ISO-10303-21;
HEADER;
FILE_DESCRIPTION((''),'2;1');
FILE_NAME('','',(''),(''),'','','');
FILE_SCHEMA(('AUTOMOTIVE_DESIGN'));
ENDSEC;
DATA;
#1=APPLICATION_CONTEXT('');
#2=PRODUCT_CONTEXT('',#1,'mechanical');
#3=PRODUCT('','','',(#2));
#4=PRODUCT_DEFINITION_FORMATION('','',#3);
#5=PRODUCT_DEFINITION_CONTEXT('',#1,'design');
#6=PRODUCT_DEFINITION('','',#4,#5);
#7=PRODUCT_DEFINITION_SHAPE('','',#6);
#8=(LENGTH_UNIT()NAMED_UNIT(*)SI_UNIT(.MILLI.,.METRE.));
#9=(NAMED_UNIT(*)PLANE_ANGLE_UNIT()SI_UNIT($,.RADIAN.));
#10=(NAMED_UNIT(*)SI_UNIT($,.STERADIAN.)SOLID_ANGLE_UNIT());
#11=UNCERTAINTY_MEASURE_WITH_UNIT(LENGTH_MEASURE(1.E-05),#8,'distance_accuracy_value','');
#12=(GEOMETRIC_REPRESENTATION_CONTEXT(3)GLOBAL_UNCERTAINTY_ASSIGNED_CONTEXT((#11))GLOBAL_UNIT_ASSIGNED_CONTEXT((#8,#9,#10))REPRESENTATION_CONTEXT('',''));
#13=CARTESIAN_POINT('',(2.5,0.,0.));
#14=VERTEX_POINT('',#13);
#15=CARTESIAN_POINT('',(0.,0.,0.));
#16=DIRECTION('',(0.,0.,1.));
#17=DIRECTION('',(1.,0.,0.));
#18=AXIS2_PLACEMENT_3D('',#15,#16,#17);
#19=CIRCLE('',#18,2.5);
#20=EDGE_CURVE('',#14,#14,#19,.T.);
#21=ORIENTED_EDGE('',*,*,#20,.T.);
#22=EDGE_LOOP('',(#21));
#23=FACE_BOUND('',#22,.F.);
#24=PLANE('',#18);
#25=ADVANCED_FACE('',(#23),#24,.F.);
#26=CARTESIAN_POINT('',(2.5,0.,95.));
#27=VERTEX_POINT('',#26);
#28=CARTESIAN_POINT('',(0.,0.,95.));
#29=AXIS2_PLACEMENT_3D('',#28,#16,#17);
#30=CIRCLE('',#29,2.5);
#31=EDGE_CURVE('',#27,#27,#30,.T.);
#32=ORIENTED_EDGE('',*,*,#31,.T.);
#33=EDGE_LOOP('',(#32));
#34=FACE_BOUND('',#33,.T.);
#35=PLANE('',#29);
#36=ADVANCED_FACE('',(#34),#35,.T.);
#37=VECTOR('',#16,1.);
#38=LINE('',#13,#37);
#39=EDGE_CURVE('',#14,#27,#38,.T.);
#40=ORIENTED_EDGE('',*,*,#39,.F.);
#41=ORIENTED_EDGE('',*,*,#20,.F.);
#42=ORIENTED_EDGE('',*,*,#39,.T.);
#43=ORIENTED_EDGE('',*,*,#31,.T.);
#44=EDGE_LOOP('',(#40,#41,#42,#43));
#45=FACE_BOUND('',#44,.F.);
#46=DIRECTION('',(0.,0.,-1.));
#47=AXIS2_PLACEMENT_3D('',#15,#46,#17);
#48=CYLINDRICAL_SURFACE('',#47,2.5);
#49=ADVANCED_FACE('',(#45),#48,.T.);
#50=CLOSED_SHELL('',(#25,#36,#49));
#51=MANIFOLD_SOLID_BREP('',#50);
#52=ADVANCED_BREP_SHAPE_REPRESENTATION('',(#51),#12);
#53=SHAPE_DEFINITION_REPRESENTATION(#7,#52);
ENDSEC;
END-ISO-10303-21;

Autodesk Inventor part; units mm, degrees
ref_plane "YZ Plane" through (0, 0, 0) normal (1, 0, 0) x (0, 1, 0)
ref_plane "XZ Plane" through (0, 0, 0) normal (0, 1, 0) x (-1, 0, 0)
ref_plane "XY Plane" through (0, 0, 0) normal (0, 0, 1) x (1, 0, 0)
sketch "Sketch1" plane through (0, 0, 0) normal (0, 0, 1) x (1, 0, 0)
  circle A0 centre (0, 0) radius 2.5
  dimension "d0" = 5
extrude "Extrusion1" add sketch "Sketch1" along normal blind 95
thread "Thread1" size "M5x0.8" class "6g" standard "ISO Metric profile" full length
properties part number "M5 Gewindestange"
